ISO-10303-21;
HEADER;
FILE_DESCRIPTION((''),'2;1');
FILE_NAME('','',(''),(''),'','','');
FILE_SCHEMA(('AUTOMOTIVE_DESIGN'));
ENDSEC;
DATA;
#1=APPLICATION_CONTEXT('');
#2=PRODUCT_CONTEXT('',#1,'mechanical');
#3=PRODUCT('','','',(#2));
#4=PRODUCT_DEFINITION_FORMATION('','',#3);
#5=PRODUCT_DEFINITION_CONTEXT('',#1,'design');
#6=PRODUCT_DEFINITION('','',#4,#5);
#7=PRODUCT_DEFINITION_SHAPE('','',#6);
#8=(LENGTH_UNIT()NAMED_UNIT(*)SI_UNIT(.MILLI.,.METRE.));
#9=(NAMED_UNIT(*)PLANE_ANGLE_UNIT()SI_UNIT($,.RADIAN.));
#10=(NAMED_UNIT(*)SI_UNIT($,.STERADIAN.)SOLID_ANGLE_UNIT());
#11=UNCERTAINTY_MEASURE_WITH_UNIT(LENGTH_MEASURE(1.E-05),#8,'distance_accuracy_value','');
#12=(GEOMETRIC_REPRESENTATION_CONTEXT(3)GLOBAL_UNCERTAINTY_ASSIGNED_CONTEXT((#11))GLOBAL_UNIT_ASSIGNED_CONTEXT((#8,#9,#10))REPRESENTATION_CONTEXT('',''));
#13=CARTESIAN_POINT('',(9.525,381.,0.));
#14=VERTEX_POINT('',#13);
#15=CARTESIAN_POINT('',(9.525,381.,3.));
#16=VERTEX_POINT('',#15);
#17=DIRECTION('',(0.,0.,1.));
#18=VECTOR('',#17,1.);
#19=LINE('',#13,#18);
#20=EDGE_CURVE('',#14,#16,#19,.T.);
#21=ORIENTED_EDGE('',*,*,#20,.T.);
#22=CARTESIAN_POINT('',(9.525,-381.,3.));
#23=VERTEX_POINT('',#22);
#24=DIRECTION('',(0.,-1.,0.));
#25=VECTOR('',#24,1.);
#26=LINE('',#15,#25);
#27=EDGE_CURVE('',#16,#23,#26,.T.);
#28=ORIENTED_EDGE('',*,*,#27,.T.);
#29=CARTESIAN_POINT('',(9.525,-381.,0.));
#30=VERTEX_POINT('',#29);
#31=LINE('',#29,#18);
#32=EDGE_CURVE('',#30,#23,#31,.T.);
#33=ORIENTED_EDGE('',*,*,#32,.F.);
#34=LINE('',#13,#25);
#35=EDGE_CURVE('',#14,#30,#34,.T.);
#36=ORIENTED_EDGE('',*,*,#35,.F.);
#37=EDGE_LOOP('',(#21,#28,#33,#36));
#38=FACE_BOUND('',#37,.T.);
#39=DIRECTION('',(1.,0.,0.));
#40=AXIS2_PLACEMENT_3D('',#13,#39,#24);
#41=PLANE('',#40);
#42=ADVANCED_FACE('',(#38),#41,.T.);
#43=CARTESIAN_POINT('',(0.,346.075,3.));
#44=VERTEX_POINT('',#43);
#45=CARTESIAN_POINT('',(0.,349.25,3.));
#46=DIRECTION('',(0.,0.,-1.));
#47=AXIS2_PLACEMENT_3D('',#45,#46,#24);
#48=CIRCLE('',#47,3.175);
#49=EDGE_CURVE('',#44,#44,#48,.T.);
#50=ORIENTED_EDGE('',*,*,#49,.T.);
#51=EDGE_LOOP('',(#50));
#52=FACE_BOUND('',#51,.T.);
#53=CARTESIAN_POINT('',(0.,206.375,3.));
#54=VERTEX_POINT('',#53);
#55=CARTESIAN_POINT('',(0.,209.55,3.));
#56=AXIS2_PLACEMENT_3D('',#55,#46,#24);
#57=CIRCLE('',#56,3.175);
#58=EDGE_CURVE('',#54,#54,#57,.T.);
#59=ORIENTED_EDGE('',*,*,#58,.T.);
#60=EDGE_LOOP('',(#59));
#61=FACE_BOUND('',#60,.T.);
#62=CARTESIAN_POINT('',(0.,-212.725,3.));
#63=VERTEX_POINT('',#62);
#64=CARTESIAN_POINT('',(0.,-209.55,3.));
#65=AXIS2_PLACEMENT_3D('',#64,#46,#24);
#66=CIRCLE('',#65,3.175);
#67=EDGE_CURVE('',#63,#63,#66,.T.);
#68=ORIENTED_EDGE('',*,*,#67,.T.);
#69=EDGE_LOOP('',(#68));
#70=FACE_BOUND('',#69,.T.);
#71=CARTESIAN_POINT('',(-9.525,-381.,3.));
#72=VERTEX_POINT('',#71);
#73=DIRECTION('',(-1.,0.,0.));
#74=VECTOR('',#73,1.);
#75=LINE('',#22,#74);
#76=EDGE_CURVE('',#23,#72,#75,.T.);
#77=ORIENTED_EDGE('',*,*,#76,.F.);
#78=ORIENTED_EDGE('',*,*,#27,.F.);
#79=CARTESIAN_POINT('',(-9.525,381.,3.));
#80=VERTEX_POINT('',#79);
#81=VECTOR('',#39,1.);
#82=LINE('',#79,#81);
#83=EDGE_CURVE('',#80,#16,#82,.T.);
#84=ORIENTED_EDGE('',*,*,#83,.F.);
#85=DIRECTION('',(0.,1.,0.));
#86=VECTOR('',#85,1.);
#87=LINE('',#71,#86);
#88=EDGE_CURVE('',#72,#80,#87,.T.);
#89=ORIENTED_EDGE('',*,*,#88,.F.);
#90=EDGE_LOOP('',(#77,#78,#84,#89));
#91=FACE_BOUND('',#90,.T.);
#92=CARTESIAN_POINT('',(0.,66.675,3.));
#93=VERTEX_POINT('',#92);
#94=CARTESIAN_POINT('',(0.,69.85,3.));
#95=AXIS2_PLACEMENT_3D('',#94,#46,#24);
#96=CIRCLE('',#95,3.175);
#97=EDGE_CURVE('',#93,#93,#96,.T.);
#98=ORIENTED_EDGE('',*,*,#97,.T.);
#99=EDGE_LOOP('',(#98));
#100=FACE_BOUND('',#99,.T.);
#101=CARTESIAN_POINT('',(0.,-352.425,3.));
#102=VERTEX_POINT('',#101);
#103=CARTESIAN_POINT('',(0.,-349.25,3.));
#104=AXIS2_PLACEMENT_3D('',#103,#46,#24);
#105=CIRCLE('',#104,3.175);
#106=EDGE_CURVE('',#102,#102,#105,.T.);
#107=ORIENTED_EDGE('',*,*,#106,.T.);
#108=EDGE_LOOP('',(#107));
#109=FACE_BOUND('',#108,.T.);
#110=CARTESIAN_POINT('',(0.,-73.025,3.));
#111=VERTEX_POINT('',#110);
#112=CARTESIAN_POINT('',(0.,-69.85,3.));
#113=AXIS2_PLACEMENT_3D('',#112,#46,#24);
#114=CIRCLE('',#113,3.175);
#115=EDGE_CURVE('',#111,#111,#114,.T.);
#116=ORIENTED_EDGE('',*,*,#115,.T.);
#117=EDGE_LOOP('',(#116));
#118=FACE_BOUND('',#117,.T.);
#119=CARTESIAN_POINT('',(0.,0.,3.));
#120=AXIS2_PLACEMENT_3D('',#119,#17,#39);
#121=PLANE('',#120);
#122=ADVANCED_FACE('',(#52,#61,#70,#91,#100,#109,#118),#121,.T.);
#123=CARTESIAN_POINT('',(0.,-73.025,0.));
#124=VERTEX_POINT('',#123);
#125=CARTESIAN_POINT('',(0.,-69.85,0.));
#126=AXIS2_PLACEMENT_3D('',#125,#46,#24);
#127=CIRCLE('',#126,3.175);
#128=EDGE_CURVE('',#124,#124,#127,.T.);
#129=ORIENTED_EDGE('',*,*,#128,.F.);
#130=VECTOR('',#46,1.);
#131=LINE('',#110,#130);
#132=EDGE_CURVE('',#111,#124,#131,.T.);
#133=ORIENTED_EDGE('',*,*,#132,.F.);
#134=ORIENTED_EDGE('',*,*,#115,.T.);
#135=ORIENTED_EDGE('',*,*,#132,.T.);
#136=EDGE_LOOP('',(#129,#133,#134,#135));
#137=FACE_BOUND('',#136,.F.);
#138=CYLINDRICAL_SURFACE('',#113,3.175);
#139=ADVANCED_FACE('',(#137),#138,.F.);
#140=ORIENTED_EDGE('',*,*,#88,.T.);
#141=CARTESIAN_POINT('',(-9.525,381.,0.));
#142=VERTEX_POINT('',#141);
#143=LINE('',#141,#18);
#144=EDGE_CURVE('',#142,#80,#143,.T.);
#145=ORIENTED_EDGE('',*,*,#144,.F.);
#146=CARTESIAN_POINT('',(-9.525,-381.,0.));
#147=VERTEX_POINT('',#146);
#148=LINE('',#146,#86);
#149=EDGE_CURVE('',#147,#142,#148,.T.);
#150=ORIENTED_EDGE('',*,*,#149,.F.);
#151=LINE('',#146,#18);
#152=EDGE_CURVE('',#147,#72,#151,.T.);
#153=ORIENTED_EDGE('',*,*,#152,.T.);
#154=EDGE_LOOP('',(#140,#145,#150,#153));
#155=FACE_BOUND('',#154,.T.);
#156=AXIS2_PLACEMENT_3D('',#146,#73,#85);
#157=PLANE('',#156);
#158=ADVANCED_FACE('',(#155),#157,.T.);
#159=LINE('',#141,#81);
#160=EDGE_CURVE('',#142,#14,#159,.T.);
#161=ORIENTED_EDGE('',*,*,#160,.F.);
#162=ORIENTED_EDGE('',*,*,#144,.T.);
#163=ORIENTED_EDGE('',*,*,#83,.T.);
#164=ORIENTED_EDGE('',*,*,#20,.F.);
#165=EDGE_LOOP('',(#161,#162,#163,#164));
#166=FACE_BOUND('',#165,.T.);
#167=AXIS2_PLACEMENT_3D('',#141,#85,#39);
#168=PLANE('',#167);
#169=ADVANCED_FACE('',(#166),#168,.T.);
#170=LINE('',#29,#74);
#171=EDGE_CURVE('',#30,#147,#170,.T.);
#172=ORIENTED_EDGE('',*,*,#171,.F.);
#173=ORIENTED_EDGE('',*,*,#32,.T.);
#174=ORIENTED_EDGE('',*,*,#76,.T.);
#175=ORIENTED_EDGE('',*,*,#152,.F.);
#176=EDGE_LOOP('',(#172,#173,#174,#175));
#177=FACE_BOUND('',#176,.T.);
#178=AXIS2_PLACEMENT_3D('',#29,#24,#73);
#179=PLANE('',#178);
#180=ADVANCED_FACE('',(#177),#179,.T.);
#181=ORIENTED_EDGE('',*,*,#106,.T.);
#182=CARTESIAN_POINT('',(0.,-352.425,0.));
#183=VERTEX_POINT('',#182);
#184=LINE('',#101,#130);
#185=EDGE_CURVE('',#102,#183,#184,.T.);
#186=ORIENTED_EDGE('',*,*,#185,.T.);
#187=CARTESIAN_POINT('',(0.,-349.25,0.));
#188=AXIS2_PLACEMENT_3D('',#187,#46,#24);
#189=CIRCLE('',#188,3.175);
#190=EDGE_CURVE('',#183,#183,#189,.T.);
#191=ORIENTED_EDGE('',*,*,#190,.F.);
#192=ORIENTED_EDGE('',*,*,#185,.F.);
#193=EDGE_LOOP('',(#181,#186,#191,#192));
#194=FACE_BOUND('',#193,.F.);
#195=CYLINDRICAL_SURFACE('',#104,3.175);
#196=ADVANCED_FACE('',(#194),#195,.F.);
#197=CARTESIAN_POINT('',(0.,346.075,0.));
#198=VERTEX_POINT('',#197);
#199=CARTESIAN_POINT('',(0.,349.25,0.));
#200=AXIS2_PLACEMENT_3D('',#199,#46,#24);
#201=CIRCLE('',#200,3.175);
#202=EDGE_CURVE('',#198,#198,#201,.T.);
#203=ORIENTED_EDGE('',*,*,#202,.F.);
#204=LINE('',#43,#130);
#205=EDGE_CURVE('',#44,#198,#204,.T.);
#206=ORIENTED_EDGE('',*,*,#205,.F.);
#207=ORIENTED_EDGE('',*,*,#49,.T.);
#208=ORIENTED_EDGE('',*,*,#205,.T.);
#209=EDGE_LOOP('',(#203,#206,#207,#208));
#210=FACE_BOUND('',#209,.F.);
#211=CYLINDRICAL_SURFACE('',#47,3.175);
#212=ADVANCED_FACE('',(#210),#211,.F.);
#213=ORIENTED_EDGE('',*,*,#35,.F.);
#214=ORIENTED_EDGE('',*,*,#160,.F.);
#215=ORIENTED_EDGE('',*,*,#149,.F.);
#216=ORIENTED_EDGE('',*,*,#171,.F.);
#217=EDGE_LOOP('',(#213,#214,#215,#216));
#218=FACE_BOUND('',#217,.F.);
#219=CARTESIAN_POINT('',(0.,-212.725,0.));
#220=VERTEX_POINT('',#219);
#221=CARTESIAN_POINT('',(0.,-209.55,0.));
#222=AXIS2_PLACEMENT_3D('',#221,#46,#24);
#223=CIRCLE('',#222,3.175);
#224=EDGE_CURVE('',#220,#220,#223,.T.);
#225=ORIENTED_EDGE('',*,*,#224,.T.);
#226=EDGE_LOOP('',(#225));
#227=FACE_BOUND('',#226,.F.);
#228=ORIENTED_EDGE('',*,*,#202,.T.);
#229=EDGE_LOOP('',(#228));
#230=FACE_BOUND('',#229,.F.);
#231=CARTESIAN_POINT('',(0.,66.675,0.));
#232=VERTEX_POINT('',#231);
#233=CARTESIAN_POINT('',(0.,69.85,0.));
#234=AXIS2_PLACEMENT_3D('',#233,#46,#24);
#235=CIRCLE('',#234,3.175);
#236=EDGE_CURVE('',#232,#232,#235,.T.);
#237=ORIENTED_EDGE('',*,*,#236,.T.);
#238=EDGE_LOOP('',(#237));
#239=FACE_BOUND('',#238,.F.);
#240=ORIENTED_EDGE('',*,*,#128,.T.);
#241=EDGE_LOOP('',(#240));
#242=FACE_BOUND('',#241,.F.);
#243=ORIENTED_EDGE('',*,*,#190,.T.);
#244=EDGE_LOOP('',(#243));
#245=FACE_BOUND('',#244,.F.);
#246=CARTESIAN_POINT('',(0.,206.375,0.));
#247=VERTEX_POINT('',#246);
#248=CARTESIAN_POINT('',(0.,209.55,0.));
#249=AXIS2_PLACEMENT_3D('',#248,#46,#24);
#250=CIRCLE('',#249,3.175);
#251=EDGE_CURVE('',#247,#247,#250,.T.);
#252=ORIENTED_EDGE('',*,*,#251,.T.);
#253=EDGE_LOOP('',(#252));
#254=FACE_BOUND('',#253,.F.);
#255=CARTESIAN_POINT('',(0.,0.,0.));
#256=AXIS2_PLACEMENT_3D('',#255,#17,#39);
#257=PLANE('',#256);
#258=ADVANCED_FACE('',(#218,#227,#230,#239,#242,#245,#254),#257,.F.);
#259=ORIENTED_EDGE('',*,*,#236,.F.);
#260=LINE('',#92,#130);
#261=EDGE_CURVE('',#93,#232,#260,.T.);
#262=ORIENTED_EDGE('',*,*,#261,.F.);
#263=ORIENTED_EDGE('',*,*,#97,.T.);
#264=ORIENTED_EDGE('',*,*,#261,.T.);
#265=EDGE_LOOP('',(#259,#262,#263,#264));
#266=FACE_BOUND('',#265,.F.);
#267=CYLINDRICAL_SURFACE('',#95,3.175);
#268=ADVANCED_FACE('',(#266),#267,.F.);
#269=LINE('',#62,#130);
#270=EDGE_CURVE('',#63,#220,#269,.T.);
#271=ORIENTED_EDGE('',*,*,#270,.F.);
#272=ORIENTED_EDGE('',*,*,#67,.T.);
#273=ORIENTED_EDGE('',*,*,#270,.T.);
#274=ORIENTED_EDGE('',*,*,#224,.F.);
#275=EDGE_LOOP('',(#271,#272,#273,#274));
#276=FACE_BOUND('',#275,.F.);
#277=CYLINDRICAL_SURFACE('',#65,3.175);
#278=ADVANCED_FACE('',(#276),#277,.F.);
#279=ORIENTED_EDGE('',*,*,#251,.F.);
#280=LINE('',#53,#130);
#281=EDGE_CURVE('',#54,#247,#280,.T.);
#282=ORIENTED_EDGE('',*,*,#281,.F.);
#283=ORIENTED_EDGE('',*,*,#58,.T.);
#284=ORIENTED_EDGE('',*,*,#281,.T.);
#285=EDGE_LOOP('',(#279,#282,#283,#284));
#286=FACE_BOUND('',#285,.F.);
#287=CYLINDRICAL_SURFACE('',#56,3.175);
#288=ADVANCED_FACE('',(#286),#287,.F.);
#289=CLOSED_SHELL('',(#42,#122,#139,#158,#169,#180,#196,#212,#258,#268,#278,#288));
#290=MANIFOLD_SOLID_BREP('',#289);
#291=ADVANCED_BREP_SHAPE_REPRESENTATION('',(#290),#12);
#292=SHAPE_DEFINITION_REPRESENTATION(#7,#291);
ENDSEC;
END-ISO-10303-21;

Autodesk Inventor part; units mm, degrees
ref_plane "YZ Plane" through (0, 0, 0) normal (1, 0, 0) x (0, 1, 0)
ref_plane "XZ Plane" through (0, 0, 0) normal (0, 1, 0) x (-1, 0, 0)
ref_plane "XY Plane" through (0, 0, 0) normal (0, 0, 1) x (1, 0, 0)
sketch "Sketch1" plane through (0, 0, 0) normal (0, 0, 1) x (1, 0, 0)
  line L0 (-9.525, 381) -> (9.525, 381)
  line L1 (9.525, 381) -> (9.525, -381)
  line L2 (9.525, -381) -> (-9.525, -381)
  line L3 (-9.525, -381) -> (-9.525, 381)
  point P0 (0, 0)
  point P1 (0, 381)
  point P2 (9.525, 0)
  dimension "d0" = 19.05
  dimension "d1" = 762
extrude "Extrusion1" add sketch "Sketch1" along normal blind 3
sketch "Sketch2" plane through (0, 0, 3) normal (0, 0, 1) x (1, 0, 0)
  line L0 (-9.525, 381) -> (9.525, 381) projected
  line L1 (-9.525, -381) -> (-9.525, 381) projected
  line L2 (9.525, -381) -> (-9.525, -381) projected
  point P0 (0, 0)
  point P1 (0, 349.25)
  point P2 (0, 209.55)
  point P3 (0, 69.85)
  point P4 (0, -69.85)
  point P5 (0, -209.55)
  point P6 (0, -349.25)
  dimension "d4" = 12.7
  dimension "d5" = 31.75
  dimension "d6" = 139.7
  dimension "d7" = 139.7
  dimension "d9" = 139.7
  dimension "d10" = 139.7
  dimension "d11" = 139.7
  dimension "d12" = 31.75
hole "Hole1" at (0, 349.25, 3) at (0, 209.55, 3) at (0, 69.85, 3) at (0, -69.85, 3) at (0, -209.55, 3) at (0, -349.25, 3) direction (0, 0, -1) diameter 6.35 end through all
properties part number "front panels"
